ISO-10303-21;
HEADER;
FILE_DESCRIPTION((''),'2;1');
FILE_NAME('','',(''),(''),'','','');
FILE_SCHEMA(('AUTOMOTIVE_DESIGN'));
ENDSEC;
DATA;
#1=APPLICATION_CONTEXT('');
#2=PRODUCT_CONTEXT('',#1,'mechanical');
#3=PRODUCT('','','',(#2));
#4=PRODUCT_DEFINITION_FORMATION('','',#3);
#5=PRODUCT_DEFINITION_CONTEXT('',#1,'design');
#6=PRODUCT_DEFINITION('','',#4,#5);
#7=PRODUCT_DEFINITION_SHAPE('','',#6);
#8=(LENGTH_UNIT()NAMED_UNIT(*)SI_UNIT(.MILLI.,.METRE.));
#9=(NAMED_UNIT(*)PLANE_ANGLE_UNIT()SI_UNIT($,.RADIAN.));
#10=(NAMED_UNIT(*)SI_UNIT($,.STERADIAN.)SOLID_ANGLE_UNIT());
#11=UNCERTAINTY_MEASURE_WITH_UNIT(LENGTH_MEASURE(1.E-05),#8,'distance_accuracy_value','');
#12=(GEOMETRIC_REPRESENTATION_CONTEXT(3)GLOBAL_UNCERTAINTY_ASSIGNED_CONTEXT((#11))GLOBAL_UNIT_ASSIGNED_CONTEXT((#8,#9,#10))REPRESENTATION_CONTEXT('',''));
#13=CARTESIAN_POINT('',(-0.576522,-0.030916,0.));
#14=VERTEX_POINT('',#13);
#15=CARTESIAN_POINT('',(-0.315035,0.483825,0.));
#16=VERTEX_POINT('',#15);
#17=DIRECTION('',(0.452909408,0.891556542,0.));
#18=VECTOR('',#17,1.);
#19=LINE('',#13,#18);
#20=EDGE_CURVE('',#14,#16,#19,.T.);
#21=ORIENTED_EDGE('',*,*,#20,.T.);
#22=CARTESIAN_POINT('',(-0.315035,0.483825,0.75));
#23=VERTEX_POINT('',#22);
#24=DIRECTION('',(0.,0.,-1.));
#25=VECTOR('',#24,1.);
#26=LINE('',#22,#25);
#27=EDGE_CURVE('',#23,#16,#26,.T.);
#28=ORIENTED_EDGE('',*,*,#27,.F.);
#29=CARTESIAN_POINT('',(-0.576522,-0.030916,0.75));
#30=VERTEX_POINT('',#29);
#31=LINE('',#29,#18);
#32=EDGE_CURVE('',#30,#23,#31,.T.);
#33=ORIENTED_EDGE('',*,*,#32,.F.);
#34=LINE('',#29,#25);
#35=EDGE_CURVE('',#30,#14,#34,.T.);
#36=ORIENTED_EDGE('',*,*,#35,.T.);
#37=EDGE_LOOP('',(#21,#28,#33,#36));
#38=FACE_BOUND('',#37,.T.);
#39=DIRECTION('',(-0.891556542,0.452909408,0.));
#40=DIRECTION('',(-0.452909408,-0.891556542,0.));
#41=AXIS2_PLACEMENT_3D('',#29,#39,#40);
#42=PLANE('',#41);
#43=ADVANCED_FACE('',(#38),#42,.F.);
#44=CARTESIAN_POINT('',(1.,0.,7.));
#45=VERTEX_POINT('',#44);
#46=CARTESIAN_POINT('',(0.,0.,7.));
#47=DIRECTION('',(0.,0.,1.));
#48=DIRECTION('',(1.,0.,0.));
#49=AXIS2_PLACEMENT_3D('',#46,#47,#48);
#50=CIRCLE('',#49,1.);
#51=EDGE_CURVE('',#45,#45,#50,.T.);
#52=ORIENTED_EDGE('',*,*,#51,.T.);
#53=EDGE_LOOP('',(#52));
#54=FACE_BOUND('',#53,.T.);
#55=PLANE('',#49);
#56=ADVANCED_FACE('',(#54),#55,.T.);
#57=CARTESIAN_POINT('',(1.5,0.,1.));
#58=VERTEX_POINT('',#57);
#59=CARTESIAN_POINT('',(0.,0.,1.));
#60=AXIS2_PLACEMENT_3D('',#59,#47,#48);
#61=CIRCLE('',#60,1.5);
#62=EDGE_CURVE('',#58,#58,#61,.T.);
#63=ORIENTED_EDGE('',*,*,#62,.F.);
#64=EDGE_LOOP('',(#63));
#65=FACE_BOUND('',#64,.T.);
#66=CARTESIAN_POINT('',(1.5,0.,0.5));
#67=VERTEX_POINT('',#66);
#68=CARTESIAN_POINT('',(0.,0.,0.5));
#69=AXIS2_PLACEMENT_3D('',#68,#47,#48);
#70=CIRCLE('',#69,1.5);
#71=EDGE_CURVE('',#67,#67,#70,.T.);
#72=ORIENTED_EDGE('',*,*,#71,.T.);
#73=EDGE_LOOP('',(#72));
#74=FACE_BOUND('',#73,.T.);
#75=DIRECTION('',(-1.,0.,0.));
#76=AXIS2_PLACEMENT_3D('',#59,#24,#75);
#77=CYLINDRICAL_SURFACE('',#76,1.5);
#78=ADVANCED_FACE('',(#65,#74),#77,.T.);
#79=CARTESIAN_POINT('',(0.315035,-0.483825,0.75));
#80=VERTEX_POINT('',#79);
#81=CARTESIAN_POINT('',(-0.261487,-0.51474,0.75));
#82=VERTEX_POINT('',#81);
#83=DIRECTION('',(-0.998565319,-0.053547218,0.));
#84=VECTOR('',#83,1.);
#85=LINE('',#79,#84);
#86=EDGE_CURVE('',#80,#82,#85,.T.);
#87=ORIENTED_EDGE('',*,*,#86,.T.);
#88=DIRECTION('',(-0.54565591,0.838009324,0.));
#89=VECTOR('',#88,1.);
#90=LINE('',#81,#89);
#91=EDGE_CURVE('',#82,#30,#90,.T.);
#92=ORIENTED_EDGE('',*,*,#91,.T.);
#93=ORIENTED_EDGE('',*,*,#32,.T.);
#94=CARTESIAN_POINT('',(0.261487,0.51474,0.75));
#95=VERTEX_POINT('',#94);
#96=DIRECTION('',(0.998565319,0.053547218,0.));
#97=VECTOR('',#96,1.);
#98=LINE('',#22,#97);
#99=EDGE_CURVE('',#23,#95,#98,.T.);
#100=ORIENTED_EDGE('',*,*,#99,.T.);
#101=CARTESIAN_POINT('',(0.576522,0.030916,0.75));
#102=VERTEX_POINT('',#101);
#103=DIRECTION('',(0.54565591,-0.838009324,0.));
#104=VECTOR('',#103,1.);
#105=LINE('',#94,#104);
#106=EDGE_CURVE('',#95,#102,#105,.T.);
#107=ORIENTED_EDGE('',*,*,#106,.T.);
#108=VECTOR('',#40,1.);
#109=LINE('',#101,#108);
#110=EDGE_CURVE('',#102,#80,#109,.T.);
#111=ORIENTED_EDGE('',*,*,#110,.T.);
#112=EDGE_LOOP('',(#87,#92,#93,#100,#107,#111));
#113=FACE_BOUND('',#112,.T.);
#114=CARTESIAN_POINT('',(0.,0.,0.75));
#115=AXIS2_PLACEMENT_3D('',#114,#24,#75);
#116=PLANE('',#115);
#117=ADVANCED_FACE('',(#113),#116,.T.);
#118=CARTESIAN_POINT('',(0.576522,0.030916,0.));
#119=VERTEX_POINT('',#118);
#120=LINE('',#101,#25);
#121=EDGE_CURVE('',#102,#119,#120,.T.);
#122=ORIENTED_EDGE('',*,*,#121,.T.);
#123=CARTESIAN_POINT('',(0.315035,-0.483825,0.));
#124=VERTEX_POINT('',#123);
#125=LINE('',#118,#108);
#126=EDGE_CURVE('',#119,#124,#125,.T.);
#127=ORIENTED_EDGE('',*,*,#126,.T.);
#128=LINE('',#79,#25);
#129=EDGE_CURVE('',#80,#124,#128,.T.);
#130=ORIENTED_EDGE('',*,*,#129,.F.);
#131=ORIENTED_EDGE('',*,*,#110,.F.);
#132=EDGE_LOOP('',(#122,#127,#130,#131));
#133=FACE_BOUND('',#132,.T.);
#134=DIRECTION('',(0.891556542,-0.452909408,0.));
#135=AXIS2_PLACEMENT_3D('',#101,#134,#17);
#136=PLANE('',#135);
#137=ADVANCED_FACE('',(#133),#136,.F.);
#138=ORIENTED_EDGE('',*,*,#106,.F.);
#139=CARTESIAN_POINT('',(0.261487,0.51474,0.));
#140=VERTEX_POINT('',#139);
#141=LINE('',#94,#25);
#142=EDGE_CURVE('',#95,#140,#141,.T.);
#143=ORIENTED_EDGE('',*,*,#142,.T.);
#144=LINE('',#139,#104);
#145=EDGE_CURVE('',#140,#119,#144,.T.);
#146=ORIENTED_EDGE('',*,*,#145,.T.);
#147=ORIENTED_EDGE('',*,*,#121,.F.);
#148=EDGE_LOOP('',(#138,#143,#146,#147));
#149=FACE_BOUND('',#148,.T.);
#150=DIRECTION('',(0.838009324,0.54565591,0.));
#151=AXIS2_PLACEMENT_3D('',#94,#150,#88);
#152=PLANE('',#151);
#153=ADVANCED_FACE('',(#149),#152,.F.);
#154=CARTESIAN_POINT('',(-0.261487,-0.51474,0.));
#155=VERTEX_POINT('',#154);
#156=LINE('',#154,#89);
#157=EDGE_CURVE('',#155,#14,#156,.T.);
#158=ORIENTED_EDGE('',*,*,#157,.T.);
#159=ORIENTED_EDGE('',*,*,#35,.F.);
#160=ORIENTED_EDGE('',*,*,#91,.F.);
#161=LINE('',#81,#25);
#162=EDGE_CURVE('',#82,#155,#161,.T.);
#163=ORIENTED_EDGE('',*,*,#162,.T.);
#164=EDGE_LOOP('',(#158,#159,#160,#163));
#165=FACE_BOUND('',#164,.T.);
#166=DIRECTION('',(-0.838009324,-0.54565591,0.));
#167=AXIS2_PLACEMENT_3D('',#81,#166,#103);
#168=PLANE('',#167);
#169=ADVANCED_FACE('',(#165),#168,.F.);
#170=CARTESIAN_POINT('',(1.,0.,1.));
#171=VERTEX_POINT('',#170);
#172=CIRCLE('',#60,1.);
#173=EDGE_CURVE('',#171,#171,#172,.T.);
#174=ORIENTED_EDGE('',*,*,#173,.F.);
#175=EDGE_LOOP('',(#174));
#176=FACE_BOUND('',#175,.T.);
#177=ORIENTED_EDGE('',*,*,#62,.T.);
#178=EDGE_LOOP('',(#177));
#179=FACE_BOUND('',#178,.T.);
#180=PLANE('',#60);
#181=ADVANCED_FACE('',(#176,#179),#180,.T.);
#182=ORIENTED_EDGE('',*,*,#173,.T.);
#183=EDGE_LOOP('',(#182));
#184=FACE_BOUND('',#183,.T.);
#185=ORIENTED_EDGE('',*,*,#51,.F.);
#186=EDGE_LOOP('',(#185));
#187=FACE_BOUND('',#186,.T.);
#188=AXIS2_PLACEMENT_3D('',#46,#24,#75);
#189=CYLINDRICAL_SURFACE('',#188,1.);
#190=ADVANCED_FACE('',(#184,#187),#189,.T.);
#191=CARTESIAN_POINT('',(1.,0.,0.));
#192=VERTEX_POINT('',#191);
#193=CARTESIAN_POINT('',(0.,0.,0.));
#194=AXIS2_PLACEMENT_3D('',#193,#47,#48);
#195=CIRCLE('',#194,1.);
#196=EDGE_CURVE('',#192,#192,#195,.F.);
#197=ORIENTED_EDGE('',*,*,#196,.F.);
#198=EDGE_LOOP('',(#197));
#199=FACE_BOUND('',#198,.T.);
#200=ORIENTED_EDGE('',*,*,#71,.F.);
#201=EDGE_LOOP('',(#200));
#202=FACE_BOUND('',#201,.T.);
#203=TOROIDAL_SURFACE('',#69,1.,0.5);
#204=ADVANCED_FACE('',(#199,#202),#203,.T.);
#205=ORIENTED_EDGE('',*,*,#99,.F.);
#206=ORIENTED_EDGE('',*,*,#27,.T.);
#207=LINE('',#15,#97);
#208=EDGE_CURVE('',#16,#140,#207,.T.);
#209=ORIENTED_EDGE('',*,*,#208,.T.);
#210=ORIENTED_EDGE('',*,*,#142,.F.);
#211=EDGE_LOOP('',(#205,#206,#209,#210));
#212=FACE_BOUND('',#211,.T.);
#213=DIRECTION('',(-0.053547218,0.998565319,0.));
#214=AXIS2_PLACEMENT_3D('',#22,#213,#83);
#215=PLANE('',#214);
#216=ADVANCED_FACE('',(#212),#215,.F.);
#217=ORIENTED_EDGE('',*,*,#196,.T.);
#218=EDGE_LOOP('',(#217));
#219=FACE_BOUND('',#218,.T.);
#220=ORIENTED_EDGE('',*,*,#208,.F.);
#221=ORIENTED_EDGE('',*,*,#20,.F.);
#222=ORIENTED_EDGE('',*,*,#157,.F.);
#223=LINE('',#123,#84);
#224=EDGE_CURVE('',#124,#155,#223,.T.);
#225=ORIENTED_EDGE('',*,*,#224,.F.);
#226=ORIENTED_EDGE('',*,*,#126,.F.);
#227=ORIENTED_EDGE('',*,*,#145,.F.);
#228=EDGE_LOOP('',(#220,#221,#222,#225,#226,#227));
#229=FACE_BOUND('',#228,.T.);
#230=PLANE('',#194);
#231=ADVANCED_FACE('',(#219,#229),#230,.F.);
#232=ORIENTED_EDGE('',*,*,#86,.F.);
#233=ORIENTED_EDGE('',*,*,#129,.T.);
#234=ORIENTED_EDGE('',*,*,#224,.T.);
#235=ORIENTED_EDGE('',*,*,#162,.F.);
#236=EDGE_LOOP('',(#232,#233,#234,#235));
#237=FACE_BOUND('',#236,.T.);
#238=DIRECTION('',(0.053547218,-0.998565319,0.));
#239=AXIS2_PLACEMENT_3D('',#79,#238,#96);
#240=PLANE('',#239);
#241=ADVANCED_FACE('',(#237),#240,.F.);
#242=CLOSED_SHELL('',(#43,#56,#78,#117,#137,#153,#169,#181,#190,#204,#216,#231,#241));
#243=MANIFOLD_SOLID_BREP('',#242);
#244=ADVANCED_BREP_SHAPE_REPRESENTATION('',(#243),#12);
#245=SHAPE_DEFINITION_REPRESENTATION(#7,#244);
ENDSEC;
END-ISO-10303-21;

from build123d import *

# Parameters (mm, degrees)
SKETCH1_R           = 1.5
BOSS_EXTRUDE1_DEPTH = 1
SKETCH2_R           = 1
BOSS_EXTRUDE2_DEPTH = 6
CUT_EXTRUDE1_DEPTH  = 0.75
FILLET1_R           = 0.5


with BuildPart() as part:
    # Sketch1 → Boss-Extrude1 (new body)
    with BuildSketch(Plane.XY):
        Circle(SKETCH1_R)
    extrude(amount=BOSS_EXTRUDE1_DEPTH)

    # Sketch2 → Boss-Extrude2 (add)
    with BuildSketch(Plane.XY.offset(1)):
        Circle(SKETCH2_R)
    extrude(amount=BOSS_EXTRUDE2_DEPTH)

    # Sketch3 → Cut-Extrude1 (cut)
    with BuildSketch(Plane(origin=(0, 0, 0), x_dir=(-1, 0, 0), z_dir=(0, 0, -1))):
        Polygon((0.261487369, -0.51474041), (0.576521955, -0.030915501), (0.315034587, 0.483824909), (-0.261487369, 0.51474041), (-0.576521955, 0.030915501), (-0.315034587, -0.483824909), align=None)
    extrude(amount=-CUT_EXTRUDE1_DEPTH, mode=Mode.SUBTRACT)

    # Fillet1
    fillet1_edges = [part.edges().sort_by_distance(p)[0] for p in [
        (-1.5, 0, 0),
    ]]
    fillet(fillet1_edges, radius=FILLET1_R)


solid = part.part
